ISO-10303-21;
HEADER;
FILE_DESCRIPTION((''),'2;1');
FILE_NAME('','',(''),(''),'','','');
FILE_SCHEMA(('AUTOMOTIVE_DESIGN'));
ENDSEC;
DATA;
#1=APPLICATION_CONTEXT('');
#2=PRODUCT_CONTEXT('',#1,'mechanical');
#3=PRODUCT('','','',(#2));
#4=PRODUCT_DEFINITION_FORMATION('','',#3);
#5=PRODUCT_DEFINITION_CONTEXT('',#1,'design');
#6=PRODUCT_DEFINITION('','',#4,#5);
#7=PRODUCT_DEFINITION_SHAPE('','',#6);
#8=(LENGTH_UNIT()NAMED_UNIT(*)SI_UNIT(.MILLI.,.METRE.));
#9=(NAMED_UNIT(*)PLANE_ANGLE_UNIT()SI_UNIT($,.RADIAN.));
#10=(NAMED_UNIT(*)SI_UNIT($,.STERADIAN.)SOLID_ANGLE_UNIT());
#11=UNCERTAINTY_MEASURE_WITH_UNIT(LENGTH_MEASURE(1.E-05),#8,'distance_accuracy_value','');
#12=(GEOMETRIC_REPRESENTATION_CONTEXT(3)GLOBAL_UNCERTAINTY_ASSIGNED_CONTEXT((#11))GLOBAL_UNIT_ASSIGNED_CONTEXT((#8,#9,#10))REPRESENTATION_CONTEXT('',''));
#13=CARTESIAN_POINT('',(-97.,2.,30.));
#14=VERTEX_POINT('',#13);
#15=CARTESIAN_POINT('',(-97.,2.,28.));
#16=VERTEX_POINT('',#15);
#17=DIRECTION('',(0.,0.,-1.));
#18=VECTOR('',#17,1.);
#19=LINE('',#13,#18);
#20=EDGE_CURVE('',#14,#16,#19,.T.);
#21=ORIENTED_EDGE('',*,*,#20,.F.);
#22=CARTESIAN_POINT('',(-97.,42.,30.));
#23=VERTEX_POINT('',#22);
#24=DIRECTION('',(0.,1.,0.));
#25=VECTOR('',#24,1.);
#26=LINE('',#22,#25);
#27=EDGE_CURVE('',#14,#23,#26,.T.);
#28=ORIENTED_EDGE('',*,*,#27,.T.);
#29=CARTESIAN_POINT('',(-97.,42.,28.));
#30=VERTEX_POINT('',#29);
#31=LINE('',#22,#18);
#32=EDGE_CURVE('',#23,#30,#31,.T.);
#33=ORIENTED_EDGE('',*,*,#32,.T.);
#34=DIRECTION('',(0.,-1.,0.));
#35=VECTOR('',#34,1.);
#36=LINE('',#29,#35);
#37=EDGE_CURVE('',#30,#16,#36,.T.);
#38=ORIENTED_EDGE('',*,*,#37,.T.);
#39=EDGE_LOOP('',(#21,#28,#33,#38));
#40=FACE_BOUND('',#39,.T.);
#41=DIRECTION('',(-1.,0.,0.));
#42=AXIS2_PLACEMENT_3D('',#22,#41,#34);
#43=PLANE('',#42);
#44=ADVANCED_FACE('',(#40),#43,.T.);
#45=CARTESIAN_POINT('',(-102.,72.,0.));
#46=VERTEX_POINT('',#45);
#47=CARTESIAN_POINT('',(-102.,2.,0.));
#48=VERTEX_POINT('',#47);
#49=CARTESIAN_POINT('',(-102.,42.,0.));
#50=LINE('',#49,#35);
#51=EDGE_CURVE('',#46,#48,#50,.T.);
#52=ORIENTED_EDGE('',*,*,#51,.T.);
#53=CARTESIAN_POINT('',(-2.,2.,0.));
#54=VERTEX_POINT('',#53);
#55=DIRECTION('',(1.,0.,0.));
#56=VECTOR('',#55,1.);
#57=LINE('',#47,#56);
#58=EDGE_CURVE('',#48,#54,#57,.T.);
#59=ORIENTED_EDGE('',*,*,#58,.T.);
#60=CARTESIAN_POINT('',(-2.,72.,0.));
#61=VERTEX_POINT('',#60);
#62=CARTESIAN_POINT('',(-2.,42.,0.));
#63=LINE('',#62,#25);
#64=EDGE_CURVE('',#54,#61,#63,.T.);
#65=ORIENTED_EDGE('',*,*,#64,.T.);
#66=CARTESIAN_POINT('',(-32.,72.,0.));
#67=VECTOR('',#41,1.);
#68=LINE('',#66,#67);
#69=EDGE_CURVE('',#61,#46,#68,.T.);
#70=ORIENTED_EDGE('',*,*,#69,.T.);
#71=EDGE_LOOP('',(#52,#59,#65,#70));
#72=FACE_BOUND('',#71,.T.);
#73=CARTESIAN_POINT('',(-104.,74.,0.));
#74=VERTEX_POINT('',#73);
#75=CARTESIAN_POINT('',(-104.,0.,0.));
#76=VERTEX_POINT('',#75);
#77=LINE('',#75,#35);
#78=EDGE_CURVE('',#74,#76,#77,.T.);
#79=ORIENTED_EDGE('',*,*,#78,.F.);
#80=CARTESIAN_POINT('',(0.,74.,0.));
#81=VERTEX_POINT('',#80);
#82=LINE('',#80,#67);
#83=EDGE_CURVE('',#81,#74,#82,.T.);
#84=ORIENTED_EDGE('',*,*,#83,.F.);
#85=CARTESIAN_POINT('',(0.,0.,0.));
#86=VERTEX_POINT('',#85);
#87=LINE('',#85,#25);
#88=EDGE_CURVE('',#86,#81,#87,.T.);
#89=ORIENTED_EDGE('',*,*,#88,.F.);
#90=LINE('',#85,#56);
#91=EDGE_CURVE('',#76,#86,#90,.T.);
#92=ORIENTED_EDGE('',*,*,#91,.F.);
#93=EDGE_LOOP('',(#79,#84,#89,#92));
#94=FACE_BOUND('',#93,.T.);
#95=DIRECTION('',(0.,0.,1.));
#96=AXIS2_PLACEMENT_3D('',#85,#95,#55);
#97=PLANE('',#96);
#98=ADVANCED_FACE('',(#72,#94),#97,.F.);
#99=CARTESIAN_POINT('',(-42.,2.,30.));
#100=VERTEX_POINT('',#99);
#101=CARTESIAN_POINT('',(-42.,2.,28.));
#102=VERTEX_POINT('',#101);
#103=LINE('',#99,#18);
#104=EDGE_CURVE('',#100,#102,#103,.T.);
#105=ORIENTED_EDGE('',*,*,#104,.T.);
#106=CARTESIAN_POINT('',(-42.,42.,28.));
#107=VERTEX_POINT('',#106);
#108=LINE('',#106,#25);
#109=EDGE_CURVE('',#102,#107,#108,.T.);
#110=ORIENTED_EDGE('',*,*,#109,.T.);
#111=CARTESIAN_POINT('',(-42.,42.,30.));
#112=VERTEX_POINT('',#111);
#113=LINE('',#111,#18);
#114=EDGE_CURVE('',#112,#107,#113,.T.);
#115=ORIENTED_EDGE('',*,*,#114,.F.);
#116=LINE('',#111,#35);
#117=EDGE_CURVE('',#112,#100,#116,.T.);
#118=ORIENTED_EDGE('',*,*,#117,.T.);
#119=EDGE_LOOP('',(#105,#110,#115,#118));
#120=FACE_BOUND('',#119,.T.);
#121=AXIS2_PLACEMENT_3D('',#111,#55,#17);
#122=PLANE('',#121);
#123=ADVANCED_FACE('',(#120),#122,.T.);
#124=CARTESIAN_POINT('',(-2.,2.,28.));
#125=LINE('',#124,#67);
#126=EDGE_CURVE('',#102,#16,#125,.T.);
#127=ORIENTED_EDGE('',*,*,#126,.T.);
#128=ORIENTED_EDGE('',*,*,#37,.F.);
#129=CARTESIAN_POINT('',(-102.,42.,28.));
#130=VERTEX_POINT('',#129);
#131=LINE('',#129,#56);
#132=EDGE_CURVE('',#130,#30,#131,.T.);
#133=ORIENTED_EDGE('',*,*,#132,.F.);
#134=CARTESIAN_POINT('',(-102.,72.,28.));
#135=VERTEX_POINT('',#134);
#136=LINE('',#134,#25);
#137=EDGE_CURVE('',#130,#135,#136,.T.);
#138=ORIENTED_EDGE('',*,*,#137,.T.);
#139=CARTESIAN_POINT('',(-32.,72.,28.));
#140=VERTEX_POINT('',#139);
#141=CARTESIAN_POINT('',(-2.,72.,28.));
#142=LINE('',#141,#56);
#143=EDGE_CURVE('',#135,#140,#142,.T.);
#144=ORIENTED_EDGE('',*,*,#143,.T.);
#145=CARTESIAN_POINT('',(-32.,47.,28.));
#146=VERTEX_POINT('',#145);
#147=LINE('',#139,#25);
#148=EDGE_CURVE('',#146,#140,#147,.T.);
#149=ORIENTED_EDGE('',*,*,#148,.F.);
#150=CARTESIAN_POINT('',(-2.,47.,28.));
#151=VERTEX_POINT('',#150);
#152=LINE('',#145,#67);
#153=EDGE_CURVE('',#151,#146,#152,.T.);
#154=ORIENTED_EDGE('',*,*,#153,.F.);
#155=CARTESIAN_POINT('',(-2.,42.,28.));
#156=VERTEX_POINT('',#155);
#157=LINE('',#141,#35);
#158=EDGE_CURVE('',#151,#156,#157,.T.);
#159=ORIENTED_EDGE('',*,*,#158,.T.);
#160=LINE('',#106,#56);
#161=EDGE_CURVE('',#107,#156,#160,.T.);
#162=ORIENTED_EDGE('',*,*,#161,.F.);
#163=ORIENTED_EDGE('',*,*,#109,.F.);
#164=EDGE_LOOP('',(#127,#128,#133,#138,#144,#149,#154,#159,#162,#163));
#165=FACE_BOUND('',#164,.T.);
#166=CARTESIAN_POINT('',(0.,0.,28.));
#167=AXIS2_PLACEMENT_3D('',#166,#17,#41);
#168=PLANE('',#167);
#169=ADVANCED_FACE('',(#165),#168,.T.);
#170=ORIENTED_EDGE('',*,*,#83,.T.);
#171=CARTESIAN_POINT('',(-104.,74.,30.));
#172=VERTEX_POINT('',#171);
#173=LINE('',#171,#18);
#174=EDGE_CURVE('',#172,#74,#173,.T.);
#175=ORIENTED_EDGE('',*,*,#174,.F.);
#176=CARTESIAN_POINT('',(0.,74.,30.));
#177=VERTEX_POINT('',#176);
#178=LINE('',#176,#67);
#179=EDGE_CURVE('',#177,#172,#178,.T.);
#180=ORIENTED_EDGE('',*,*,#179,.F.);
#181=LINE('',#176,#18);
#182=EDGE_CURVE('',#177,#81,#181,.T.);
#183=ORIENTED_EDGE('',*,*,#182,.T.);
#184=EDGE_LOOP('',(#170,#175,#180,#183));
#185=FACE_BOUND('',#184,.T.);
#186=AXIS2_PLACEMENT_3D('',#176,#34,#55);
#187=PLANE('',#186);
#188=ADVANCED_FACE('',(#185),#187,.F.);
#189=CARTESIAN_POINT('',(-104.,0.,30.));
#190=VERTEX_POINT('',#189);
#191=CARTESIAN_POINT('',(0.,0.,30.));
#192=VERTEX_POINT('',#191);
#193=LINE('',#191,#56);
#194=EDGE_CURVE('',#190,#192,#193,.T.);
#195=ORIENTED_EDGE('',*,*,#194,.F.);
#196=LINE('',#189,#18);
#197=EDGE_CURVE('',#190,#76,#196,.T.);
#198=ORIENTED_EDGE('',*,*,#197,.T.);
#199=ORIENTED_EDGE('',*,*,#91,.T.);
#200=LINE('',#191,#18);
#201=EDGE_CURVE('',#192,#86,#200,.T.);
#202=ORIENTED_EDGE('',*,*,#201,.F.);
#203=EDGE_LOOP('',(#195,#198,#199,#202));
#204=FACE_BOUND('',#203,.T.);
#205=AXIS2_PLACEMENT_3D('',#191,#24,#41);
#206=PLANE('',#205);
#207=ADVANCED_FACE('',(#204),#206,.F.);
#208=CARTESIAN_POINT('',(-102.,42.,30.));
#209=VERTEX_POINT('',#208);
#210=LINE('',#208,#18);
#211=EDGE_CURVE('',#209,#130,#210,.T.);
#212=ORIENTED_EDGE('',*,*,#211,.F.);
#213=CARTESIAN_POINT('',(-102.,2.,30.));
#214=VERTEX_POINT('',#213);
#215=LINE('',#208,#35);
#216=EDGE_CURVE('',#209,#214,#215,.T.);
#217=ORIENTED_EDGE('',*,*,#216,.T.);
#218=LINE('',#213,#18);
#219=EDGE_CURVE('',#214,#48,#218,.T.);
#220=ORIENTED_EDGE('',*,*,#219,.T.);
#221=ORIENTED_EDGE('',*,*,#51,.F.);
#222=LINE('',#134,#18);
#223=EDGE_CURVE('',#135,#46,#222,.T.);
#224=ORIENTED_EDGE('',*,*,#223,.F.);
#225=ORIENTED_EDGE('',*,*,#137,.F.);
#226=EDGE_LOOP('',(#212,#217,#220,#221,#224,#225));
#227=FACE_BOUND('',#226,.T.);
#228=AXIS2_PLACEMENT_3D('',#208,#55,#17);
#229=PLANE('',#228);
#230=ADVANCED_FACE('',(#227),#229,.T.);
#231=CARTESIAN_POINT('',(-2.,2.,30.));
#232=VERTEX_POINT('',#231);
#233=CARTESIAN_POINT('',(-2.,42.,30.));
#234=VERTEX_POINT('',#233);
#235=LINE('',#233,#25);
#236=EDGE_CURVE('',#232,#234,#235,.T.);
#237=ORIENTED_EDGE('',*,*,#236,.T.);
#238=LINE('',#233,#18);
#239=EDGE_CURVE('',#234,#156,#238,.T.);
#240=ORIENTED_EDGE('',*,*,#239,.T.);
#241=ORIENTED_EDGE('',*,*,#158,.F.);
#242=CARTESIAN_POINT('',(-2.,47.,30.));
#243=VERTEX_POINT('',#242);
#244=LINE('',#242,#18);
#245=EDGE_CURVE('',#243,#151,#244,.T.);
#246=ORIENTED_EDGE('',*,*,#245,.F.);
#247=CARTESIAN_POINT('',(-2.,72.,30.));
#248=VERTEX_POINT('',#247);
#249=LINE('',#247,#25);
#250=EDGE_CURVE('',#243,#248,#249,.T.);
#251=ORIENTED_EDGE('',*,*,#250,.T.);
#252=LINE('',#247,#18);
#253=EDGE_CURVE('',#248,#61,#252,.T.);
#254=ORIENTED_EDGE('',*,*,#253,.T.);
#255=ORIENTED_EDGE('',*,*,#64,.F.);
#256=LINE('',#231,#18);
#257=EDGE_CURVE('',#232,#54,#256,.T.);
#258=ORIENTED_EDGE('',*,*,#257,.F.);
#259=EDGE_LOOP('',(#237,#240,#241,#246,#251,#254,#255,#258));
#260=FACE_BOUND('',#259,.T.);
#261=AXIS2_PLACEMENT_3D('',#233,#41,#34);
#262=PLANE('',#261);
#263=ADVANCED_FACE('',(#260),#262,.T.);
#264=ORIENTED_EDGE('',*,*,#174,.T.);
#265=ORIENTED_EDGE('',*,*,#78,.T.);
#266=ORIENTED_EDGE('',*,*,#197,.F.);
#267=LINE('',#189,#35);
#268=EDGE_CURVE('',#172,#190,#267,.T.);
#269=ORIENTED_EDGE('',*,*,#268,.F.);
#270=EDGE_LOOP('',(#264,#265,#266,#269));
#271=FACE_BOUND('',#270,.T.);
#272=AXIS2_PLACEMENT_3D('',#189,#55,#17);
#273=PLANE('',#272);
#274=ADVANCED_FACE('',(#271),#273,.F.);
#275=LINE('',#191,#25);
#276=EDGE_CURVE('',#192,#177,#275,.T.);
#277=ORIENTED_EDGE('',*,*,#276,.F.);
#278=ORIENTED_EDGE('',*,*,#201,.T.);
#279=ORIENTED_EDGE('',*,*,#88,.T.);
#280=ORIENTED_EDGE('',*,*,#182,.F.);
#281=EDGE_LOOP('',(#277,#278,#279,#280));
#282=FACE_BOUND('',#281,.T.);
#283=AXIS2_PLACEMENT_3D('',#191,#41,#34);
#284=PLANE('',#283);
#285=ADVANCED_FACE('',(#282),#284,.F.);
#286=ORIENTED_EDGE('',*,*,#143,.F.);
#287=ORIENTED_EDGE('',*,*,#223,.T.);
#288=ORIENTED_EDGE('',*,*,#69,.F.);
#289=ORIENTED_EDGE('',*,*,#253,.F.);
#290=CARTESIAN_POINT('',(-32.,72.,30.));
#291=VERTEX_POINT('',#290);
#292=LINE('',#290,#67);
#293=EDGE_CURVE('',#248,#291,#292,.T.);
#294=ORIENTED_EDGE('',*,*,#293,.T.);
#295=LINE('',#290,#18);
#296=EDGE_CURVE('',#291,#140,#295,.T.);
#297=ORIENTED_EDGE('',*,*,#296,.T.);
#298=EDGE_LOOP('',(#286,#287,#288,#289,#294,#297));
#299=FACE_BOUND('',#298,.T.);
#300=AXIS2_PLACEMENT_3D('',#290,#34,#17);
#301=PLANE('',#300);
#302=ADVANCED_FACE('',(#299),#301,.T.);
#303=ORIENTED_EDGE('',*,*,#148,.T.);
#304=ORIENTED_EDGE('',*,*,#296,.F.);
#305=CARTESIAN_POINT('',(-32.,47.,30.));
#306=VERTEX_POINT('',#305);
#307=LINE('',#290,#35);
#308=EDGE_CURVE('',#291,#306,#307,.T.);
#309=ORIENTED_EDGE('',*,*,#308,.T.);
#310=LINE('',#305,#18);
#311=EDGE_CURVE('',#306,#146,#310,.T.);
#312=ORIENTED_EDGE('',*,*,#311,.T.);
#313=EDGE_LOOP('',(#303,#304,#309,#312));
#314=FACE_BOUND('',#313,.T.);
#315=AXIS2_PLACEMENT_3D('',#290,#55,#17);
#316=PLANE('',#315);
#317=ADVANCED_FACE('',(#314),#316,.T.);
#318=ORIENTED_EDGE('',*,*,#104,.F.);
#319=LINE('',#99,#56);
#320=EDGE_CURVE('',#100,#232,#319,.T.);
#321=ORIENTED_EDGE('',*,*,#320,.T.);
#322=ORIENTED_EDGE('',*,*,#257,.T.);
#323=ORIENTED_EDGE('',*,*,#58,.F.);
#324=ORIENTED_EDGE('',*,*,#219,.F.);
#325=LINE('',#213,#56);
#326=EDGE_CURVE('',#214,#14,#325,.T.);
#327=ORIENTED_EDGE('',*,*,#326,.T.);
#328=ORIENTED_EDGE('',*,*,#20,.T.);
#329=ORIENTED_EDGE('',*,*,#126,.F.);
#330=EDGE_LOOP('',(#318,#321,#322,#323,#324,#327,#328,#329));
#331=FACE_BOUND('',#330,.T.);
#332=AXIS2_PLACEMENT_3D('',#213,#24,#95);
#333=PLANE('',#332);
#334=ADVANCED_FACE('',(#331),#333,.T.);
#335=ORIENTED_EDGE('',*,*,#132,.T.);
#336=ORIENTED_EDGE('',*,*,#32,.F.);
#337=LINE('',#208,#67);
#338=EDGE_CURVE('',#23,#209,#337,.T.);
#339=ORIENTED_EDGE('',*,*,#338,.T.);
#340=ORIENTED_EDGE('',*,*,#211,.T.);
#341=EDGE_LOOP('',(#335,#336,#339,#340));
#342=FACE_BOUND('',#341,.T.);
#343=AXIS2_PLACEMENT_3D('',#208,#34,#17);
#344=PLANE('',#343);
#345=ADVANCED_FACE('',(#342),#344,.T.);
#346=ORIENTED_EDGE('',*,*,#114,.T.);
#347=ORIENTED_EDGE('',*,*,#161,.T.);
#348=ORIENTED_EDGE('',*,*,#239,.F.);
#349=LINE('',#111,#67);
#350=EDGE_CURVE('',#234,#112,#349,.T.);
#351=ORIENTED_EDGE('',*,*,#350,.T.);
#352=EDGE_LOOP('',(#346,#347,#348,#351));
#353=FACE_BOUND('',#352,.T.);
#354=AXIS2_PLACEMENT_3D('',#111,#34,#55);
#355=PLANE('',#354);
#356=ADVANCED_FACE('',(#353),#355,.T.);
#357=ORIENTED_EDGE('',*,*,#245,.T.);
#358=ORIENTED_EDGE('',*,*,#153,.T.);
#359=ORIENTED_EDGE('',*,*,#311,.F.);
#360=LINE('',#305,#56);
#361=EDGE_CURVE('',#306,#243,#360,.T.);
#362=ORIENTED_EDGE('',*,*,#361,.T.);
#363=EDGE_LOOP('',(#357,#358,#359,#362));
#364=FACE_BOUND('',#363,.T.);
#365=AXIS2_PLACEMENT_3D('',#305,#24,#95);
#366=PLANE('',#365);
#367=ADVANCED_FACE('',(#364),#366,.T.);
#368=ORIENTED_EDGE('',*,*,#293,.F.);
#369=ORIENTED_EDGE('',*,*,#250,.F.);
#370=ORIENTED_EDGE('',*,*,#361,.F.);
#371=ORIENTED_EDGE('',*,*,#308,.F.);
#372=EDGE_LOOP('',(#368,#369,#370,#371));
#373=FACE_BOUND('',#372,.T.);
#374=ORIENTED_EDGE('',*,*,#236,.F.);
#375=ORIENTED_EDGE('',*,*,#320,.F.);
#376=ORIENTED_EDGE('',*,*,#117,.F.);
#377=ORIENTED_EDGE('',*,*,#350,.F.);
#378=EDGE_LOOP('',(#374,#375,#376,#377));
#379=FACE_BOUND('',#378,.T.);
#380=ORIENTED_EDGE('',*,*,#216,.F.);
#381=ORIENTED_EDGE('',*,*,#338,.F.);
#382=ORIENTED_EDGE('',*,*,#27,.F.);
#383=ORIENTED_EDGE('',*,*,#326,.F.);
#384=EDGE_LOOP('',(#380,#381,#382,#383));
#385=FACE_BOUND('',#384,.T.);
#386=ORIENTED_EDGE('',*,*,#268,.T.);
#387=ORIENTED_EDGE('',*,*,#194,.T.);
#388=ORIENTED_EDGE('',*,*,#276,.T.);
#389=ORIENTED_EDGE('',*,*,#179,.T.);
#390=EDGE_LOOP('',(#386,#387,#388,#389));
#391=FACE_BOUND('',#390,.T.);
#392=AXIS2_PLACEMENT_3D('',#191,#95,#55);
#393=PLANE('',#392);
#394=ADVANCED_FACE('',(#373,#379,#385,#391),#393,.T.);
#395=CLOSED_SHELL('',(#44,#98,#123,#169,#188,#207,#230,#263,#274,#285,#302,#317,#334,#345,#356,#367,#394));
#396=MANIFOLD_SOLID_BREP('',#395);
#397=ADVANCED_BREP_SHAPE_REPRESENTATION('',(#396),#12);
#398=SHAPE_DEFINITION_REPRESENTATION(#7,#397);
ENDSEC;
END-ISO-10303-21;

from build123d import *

# Parameters (mm, degrees)
SKETCH1_W           = 104
SKETCH1_H           = 74
SKETCH1_W_2         = 5
SKETCH1_H_2         = 40
SKETCH1_W_3         = 40
SKETCH1_W_4         = 30
SKETCH1_H_3         = 25
BOSS_EXTRUDE1_DEPTH = 30
SKETCH2_W           = 100
SKETCH2_H           = 70
CUT_EXTRUDE1_DEPTH  = 28


with BuildPart() as part:
    # Sketch1 → Boss-Extrude1 (new body)
    with BuildSketch(Plane.XY):
        with Locations((-52, 37)):
            Rectangle(SKETCH1_W, SKETCH1_H)
        with Locations((-99.5, 22)):
            Rectangle(SKETCH1_W_2, SKETCH1_H_2, mode=Mode.SUBTRACT)
        with Locations((-22, 22)):
            Rectangle(SKETCH1_W_3, SKETCH1_H_2, mode=Mode.SUBTRACT)
        with Locations((-17, 59.5)):
            Rectangle(SKETCH1_W_4, SKETCH1_H_3, mode=Mode.SUBTRACT)
    extrude(amount=BOSS_EXTRUDE1_DEPTH)

    # Sketch2 → Cut-Extrude1 (cut)
    with BuildSketch(Plane(origin=(0, 0, 0), x_dir=(-1, 0, 0), z_dir=(0, 0, -1))):
        with Locations((52, 37)):
            Rectangle(SKETCH2_W, SKETCH2_H)
    extrude(amount=-CUT_EXTRUDE1_DEPTH, mode=Mode.SUBTRACT)


solid = part.part
